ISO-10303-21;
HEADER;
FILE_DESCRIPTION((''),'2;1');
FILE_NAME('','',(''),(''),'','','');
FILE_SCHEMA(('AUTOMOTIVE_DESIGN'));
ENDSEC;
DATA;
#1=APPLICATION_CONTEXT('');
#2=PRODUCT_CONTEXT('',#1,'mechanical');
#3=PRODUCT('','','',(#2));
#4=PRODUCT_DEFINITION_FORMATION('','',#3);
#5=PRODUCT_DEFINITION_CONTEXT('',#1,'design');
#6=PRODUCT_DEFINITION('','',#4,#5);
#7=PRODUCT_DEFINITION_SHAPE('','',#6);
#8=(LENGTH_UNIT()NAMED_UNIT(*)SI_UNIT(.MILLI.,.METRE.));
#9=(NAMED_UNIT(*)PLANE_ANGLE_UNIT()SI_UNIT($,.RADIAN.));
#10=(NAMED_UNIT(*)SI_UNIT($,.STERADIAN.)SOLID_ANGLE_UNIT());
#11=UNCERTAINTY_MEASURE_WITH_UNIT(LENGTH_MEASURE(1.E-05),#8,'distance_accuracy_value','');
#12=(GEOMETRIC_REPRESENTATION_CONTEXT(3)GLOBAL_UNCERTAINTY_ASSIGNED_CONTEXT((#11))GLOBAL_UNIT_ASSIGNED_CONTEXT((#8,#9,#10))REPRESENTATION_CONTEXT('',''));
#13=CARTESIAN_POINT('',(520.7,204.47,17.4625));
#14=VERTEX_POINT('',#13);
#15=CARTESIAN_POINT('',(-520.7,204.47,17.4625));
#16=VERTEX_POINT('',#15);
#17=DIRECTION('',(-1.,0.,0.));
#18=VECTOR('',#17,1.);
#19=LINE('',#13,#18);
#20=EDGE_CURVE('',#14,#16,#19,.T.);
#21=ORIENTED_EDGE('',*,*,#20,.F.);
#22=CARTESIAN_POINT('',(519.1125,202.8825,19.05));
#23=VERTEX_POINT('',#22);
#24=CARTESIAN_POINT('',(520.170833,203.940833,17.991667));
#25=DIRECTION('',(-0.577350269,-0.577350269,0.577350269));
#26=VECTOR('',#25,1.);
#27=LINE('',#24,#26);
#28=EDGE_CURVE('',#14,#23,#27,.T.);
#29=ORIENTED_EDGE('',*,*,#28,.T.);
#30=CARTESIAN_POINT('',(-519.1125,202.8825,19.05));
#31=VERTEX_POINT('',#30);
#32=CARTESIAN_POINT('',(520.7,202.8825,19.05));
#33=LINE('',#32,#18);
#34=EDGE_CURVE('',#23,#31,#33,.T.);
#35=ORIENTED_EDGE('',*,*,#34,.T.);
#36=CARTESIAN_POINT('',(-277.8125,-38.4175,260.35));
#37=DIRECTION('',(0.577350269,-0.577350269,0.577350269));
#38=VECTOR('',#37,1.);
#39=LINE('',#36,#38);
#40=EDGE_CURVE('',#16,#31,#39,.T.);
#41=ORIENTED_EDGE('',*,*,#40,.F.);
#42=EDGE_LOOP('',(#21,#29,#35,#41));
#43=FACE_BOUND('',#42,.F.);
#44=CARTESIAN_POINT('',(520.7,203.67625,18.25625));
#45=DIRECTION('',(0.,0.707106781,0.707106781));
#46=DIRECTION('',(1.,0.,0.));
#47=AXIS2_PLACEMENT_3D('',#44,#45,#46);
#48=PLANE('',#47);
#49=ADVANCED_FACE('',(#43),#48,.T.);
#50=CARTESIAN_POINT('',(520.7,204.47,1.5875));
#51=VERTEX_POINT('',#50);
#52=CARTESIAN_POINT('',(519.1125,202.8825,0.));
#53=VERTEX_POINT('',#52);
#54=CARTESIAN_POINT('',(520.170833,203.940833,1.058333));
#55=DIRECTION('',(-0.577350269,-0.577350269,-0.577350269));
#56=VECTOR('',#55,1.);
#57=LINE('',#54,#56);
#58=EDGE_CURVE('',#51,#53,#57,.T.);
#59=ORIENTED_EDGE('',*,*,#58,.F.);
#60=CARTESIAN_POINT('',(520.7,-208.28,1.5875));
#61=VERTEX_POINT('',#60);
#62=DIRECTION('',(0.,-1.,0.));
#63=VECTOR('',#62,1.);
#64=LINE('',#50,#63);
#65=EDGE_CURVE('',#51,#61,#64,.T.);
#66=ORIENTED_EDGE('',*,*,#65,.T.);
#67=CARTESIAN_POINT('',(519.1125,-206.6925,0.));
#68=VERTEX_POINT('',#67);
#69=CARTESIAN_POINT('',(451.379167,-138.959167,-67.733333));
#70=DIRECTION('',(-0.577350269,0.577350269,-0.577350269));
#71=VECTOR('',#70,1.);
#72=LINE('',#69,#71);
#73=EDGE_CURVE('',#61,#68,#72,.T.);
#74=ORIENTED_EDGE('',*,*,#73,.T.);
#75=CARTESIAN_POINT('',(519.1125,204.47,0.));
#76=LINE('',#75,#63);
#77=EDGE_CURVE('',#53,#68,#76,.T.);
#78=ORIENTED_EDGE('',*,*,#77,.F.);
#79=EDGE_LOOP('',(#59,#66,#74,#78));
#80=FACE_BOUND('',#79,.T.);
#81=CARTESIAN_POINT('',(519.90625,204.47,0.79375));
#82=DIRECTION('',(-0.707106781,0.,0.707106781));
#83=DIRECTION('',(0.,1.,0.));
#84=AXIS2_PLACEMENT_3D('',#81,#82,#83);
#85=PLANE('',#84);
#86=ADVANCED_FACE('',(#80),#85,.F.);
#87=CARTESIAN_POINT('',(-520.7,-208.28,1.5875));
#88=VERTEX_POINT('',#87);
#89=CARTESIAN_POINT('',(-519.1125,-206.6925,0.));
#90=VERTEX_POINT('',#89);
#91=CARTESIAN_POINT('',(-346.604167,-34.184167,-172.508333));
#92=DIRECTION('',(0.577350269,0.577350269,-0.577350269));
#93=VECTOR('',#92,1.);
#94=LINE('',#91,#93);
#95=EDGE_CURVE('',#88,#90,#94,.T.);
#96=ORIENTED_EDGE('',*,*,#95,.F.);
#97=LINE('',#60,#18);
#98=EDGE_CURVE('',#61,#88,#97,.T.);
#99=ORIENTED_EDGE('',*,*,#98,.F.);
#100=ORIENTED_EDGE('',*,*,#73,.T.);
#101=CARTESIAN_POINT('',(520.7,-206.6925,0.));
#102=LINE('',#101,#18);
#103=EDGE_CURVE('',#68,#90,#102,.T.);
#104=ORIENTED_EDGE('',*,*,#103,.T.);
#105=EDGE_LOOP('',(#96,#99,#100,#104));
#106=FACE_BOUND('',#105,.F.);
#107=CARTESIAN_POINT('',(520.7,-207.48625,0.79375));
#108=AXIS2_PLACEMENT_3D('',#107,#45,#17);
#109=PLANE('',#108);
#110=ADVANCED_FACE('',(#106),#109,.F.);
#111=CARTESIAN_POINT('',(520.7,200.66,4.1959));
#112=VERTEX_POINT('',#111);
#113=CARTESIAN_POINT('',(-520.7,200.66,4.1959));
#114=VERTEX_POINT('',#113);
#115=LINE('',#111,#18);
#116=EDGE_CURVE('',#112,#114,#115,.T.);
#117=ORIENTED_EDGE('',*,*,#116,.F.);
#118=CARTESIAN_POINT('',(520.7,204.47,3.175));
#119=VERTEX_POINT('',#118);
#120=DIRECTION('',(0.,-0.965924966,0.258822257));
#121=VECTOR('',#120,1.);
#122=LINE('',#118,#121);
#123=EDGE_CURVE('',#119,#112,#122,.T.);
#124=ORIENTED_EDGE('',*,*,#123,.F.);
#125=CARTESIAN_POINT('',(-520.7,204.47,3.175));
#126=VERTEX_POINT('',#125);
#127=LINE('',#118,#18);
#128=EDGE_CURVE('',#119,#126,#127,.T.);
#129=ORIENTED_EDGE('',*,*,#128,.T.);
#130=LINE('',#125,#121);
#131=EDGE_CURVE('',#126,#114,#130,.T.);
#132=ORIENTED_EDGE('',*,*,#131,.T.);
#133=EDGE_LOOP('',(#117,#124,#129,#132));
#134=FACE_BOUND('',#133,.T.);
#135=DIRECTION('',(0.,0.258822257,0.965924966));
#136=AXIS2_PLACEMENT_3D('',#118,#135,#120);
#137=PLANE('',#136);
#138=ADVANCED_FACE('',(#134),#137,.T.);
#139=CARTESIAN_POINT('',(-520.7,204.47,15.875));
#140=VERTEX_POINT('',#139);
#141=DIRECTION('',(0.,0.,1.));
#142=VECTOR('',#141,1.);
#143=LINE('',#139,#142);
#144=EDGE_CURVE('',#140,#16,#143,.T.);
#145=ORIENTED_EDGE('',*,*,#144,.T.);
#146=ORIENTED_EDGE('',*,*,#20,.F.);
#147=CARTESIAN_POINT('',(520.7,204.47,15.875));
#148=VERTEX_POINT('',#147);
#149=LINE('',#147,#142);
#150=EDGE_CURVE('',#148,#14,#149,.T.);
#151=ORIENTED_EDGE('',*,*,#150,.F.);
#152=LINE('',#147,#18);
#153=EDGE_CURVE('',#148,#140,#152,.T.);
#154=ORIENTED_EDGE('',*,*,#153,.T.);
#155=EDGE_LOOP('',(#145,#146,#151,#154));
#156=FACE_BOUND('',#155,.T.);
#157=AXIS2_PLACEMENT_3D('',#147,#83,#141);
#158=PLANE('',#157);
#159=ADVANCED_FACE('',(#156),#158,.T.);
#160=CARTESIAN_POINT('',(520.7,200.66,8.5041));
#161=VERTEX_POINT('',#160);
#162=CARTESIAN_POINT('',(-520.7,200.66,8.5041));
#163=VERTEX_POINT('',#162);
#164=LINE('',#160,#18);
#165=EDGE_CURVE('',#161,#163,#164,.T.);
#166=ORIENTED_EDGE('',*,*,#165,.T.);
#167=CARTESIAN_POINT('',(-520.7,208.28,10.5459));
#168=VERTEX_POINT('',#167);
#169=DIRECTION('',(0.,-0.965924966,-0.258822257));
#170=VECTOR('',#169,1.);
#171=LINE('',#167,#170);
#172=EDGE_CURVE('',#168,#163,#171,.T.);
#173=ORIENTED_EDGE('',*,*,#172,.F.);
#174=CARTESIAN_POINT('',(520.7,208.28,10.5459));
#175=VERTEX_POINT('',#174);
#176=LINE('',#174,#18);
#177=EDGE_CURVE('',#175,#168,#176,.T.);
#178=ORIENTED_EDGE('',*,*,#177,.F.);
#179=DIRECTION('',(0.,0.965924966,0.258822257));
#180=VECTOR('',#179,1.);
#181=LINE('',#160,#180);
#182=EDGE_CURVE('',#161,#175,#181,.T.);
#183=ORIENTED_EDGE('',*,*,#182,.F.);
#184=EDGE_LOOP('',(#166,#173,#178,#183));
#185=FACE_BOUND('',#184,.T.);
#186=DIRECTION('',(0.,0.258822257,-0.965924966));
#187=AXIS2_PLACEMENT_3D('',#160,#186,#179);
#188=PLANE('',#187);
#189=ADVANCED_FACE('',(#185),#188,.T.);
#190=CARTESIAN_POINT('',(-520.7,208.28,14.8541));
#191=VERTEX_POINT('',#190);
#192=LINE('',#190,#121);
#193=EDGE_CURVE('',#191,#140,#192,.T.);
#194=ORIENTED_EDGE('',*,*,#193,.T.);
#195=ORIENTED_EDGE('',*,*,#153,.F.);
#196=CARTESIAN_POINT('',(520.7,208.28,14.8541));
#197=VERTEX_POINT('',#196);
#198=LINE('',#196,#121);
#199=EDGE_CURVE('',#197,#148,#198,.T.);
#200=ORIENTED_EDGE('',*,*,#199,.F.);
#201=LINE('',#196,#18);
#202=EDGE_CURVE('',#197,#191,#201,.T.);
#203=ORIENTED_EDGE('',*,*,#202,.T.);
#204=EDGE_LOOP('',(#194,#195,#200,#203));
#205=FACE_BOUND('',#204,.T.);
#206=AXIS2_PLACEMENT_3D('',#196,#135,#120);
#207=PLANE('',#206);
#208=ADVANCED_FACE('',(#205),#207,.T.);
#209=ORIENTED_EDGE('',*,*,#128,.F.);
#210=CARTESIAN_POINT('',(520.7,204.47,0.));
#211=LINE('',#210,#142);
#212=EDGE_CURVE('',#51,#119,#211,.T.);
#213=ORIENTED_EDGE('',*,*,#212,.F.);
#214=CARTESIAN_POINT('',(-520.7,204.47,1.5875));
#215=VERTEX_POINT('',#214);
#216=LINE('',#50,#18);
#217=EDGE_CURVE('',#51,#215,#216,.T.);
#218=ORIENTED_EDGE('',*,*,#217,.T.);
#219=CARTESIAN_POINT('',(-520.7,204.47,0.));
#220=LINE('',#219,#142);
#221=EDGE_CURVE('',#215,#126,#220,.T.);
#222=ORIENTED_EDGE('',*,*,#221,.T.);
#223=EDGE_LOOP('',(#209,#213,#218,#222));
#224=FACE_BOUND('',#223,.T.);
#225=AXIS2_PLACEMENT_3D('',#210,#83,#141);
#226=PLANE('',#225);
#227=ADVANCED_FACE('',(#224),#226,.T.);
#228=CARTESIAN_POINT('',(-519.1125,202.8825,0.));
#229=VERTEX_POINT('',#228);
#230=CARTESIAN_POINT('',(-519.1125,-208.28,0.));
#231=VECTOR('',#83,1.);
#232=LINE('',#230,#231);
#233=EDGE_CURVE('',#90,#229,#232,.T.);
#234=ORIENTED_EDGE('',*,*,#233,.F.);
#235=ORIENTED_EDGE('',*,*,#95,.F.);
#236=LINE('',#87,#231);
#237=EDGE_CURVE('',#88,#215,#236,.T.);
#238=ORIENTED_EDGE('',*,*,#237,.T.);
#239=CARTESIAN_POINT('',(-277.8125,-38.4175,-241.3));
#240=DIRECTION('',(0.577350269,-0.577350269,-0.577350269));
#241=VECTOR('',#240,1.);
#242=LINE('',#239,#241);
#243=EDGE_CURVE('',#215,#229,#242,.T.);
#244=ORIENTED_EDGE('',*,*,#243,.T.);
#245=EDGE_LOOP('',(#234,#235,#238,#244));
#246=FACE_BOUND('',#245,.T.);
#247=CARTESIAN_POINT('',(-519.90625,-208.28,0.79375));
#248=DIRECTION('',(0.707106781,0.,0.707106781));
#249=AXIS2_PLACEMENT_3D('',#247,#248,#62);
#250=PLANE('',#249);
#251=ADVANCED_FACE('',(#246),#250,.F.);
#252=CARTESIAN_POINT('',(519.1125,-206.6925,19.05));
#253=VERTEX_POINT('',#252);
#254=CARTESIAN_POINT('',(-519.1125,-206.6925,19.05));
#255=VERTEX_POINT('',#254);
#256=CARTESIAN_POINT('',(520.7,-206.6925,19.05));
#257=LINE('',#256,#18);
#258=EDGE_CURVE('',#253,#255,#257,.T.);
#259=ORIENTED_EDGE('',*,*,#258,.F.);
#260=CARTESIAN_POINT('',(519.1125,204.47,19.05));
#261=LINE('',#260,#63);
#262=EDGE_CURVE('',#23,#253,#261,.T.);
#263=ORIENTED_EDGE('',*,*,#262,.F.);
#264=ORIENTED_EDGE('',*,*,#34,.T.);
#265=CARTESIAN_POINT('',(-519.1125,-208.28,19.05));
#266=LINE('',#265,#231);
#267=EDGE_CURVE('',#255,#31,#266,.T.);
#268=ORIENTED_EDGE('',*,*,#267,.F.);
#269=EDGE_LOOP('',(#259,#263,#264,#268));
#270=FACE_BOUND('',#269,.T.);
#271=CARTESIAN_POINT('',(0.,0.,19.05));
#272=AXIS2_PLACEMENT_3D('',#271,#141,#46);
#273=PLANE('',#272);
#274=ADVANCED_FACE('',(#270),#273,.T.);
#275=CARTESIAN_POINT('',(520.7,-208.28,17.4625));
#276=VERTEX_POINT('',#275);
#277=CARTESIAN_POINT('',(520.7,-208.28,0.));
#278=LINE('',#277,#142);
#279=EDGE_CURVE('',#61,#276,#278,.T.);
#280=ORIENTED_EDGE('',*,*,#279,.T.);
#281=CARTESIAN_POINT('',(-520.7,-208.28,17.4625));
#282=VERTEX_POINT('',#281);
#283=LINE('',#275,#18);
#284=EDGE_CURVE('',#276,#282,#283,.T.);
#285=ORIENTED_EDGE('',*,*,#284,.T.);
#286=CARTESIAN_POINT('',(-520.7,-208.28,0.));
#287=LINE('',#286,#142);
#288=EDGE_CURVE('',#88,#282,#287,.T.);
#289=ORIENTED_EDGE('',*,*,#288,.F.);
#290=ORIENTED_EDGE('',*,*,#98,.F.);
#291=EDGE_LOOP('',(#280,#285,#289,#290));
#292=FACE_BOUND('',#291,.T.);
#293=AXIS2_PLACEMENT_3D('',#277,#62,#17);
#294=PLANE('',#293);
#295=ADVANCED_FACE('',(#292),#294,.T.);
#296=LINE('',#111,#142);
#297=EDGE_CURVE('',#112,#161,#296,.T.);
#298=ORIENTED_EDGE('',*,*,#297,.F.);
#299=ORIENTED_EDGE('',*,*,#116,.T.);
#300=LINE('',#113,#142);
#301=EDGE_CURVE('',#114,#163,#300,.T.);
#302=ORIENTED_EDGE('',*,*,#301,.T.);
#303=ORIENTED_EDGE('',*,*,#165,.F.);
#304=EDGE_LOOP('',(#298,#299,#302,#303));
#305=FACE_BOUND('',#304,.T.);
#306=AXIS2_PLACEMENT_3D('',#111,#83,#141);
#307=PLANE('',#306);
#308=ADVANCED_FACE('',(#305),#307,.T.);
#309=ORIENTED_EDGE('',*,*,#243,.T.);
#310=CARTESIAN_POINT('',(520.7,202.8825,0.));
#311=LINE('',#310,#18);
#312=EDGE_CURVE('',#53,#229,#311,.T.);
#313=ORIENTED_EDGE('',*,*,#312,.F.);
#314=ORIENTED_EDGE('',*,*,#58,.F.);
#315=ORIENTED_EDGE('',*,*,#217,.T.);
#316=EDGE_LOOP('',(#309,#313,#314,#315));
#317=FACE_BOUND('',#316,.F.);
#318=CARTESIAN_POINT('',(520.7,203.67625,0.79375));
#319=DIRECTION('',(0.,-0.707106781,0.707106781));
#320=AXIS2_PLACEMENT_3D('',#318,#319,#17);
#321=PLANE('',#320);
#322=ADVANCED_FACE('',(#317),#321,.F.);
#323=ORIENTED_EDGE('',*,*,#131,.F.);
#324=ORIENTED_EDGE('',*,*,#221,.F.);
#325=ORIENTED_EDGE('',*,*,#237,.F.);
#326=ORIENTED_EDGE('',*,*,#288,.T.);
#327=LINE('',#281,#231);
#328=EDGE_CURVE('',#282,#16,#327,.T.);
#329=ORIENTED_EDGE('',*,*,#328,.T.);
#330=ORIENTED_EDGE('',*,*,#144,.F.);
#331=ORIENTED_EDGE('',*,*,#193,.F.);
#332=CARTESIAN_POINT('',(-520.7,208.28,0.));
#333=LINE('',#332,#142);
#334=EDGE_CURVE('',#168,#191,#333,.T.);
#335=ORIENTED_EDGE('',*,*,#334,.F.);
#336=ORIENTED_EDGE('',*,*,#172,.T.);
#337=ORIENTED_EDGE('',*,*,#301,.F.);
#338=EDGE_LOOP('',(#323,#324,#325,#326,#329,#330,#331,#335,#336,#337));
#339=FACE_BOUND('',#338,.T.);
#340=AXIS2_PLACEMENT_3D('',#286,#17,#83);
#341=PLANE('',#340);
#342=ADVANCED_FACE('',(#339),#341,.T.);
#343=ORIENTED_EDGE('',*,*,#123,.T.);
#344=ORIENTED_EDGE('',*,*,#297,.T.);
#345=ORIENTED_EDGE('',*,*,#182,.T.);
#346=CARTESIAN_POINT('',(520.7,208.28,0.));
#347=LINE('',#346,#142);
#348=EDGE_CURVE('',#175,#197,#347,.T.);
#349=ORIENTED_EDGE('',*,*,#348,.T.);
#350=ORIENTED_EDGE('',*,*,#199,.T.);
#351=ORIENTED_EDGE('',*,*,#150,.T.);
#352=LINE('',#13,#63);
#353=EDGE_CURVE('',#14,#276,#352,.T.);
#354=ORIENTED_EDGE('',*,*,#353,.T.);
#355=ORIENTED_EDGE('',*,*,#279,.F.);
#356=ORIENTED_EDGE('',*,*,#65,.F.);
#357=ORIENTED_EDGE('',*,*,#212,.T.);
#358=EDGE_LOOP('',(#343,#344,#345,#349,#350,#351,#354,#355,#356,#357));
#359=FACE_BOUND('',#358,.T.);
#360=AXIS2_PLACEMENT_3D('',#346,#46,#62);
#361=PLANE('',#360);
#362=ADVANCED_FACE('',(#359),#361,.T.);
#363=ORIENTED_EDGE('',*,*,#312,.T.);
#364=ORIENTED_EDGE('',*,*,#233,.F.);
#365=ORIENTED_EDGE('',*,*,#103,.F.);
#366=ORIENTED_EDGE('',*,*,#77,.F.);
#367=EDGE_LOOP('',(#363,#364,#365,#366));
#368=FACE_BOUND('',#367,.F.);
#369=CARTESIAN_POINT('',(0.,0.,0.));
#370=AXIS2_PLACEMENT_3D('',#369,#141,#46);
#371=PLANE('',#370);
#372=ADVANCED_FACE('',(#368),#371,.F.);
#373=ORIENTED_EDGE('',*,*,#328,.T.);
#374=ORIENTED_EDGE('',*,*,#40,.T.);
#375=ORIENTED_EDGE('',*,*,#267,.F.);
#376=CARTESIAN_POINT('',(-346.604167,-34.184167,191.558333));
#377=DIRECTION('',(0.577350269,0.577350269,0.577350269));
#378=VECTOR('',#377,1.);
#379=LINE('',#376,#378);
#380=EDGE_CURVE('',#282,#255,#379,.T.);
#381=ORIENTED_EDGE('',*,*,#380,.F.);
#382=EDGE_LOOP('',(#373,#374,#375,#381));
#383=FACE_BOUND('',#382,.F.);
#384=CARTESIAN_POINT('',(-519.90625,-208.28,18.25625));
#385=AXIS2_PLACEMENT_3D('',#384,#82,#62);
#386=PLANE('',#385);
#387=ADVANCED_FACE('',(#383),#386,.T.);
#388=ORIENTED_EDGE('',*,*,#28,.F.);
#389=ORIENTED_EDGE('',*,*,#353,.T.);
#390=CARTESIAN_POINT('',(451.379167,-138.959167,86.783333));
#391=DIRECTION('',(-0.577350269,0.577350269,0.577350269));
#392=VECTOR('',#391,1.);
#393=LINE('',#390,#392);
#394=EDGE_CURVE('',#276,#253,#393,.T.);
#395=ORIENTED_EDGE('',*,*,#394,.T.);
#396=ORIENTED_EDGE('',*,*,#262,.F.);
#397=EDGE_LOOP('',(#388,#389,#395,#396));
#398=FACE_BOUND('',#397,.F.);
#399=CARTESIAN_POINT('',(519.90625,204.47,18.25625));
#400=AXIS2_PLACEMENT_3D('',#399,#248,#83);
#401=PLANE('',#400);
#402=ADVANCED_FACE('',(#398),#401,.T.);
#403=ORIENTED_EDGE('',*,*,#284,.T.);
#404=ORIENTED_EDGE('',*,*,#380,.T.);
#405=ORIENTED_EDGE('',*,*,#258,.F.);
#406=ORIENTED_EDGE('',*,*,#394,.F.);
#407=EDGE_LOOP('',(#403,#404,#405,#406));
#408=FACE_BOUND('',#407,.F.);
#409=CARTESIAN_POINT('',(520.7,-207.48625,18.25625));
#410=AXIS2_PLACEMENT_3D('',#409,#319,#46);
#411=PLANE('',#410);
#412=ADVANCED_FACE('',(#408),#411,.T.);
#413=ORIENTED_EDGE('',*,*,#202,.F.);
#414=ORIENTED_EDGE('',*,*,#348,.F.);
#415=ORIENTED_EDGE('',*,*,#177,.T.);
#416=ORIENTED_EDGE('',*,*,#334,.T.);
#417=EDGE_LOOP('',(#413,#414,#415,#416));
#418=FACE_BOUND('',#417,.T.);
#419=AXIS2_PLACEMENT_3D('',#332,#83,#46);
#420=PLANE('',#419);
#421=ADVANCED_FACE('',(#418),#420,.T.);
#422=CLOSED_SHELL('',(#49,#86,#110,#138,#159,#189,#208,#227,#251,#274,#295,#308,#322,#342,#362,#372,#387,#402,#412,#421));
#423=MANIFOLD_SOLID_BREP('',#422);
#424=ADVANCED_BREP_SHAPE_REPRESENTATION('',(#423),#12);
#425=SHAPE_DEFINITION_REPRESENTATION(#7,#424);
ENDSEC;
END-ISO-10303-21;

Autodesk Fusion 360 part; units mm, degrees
sketch "Sketch1" plane through (0, 0, 0) normal (0, 0, 1) x (1, 0, 0)
  line L0 (-520.7, 208.28) -> (520.7, 208.28)
  line L1 (520.7, 208.28) -> (520.7, -208.28)
  line L2 (520.7, -208.28) -> (-520.7, -208.28)
  line L3 (-520.7, -208.28) -> (-520.7, 208.28)
  line L4 (-520.7, 208.28) -> (520.7, -208.28) construction
  line L5 (520.7, 208.28) -> (-520.7, -208.28) construction
  dimension "d1" = 416.56
  dimension "d2" = 1041.4
extrude "Extrude1" add sketch "Sketch1" along normal blind 19.05
sketch "Sketch3" plane through (520.7, 0, 0) normal (1, 0, 0) x (0, 1, 0)
  line L0 (-208.28, 0) -> (208.28, 0)
  line L1 (208.28, 0) -> (208.28, 19.05)
  line L2 (208.28, 19.05) -> (-208.28, 19.05)
  line L3 (-208.28, 19.05) -> (-208.28, 0)
  line L4 (204.47, 0) -> (204.47, 3.175)
  line L5 (204.47, 15.875) -> (204.47, 19.05)
  line L6 (204.47, 3.175) -> (200.66, 4.1959)
  line L7 (200.66, 4.1959) -> (200.66, 8.5041)
  line L8 (200.66, 8.5041) -> (204.47, 9.525)
  line L9 (208.28, 10.5459) -> (208.28, 14.8541) construction
  line L10 (208.28, 14.8541) -> (204.47, 15.875)
  line L11 (204.47, 9.525) -> (208.28, 10.5459)
  line L12 (204.47, 0) -> (208.28, 0)
  line L13 (204.47, 19.05) -> (208.28, 19.05)
  line L14 (208.28, 19.05) -> (208.28, 14.8541)
  line L15 (208.28, 0) -> (208.28, 10.5459)
  point P0 (208.28, 0)
  dimension "d25" = 105
  dimension "d27" = 19.05
  dimension "d29" = 6.35
  dimension "d30" = 6.35
  dimension "d31" = 3.81
  dimension "d32" = 3.81
  dimension "d33" = 3.81
extrude "Extrude3" cut sketch "Sketch3" against normal blind 1041.4 contours L0 L1 L4 L6 L7 L8 L11 L12 L15 | L1 L2 L5 L10 L13 L14
chamfer "Chamfer1" distance 1.5875 angle 45 8 edges at (-520.7, -1.905, 19.05) (520.7, -1.905, 19.05) (-520.7, -1.905, 0) (520.7, -1.905, 0) (0, -208.28, 0) (0, -208.28, 19.05) (0, 204.47, 19.05) (0, 204.47, 0)
